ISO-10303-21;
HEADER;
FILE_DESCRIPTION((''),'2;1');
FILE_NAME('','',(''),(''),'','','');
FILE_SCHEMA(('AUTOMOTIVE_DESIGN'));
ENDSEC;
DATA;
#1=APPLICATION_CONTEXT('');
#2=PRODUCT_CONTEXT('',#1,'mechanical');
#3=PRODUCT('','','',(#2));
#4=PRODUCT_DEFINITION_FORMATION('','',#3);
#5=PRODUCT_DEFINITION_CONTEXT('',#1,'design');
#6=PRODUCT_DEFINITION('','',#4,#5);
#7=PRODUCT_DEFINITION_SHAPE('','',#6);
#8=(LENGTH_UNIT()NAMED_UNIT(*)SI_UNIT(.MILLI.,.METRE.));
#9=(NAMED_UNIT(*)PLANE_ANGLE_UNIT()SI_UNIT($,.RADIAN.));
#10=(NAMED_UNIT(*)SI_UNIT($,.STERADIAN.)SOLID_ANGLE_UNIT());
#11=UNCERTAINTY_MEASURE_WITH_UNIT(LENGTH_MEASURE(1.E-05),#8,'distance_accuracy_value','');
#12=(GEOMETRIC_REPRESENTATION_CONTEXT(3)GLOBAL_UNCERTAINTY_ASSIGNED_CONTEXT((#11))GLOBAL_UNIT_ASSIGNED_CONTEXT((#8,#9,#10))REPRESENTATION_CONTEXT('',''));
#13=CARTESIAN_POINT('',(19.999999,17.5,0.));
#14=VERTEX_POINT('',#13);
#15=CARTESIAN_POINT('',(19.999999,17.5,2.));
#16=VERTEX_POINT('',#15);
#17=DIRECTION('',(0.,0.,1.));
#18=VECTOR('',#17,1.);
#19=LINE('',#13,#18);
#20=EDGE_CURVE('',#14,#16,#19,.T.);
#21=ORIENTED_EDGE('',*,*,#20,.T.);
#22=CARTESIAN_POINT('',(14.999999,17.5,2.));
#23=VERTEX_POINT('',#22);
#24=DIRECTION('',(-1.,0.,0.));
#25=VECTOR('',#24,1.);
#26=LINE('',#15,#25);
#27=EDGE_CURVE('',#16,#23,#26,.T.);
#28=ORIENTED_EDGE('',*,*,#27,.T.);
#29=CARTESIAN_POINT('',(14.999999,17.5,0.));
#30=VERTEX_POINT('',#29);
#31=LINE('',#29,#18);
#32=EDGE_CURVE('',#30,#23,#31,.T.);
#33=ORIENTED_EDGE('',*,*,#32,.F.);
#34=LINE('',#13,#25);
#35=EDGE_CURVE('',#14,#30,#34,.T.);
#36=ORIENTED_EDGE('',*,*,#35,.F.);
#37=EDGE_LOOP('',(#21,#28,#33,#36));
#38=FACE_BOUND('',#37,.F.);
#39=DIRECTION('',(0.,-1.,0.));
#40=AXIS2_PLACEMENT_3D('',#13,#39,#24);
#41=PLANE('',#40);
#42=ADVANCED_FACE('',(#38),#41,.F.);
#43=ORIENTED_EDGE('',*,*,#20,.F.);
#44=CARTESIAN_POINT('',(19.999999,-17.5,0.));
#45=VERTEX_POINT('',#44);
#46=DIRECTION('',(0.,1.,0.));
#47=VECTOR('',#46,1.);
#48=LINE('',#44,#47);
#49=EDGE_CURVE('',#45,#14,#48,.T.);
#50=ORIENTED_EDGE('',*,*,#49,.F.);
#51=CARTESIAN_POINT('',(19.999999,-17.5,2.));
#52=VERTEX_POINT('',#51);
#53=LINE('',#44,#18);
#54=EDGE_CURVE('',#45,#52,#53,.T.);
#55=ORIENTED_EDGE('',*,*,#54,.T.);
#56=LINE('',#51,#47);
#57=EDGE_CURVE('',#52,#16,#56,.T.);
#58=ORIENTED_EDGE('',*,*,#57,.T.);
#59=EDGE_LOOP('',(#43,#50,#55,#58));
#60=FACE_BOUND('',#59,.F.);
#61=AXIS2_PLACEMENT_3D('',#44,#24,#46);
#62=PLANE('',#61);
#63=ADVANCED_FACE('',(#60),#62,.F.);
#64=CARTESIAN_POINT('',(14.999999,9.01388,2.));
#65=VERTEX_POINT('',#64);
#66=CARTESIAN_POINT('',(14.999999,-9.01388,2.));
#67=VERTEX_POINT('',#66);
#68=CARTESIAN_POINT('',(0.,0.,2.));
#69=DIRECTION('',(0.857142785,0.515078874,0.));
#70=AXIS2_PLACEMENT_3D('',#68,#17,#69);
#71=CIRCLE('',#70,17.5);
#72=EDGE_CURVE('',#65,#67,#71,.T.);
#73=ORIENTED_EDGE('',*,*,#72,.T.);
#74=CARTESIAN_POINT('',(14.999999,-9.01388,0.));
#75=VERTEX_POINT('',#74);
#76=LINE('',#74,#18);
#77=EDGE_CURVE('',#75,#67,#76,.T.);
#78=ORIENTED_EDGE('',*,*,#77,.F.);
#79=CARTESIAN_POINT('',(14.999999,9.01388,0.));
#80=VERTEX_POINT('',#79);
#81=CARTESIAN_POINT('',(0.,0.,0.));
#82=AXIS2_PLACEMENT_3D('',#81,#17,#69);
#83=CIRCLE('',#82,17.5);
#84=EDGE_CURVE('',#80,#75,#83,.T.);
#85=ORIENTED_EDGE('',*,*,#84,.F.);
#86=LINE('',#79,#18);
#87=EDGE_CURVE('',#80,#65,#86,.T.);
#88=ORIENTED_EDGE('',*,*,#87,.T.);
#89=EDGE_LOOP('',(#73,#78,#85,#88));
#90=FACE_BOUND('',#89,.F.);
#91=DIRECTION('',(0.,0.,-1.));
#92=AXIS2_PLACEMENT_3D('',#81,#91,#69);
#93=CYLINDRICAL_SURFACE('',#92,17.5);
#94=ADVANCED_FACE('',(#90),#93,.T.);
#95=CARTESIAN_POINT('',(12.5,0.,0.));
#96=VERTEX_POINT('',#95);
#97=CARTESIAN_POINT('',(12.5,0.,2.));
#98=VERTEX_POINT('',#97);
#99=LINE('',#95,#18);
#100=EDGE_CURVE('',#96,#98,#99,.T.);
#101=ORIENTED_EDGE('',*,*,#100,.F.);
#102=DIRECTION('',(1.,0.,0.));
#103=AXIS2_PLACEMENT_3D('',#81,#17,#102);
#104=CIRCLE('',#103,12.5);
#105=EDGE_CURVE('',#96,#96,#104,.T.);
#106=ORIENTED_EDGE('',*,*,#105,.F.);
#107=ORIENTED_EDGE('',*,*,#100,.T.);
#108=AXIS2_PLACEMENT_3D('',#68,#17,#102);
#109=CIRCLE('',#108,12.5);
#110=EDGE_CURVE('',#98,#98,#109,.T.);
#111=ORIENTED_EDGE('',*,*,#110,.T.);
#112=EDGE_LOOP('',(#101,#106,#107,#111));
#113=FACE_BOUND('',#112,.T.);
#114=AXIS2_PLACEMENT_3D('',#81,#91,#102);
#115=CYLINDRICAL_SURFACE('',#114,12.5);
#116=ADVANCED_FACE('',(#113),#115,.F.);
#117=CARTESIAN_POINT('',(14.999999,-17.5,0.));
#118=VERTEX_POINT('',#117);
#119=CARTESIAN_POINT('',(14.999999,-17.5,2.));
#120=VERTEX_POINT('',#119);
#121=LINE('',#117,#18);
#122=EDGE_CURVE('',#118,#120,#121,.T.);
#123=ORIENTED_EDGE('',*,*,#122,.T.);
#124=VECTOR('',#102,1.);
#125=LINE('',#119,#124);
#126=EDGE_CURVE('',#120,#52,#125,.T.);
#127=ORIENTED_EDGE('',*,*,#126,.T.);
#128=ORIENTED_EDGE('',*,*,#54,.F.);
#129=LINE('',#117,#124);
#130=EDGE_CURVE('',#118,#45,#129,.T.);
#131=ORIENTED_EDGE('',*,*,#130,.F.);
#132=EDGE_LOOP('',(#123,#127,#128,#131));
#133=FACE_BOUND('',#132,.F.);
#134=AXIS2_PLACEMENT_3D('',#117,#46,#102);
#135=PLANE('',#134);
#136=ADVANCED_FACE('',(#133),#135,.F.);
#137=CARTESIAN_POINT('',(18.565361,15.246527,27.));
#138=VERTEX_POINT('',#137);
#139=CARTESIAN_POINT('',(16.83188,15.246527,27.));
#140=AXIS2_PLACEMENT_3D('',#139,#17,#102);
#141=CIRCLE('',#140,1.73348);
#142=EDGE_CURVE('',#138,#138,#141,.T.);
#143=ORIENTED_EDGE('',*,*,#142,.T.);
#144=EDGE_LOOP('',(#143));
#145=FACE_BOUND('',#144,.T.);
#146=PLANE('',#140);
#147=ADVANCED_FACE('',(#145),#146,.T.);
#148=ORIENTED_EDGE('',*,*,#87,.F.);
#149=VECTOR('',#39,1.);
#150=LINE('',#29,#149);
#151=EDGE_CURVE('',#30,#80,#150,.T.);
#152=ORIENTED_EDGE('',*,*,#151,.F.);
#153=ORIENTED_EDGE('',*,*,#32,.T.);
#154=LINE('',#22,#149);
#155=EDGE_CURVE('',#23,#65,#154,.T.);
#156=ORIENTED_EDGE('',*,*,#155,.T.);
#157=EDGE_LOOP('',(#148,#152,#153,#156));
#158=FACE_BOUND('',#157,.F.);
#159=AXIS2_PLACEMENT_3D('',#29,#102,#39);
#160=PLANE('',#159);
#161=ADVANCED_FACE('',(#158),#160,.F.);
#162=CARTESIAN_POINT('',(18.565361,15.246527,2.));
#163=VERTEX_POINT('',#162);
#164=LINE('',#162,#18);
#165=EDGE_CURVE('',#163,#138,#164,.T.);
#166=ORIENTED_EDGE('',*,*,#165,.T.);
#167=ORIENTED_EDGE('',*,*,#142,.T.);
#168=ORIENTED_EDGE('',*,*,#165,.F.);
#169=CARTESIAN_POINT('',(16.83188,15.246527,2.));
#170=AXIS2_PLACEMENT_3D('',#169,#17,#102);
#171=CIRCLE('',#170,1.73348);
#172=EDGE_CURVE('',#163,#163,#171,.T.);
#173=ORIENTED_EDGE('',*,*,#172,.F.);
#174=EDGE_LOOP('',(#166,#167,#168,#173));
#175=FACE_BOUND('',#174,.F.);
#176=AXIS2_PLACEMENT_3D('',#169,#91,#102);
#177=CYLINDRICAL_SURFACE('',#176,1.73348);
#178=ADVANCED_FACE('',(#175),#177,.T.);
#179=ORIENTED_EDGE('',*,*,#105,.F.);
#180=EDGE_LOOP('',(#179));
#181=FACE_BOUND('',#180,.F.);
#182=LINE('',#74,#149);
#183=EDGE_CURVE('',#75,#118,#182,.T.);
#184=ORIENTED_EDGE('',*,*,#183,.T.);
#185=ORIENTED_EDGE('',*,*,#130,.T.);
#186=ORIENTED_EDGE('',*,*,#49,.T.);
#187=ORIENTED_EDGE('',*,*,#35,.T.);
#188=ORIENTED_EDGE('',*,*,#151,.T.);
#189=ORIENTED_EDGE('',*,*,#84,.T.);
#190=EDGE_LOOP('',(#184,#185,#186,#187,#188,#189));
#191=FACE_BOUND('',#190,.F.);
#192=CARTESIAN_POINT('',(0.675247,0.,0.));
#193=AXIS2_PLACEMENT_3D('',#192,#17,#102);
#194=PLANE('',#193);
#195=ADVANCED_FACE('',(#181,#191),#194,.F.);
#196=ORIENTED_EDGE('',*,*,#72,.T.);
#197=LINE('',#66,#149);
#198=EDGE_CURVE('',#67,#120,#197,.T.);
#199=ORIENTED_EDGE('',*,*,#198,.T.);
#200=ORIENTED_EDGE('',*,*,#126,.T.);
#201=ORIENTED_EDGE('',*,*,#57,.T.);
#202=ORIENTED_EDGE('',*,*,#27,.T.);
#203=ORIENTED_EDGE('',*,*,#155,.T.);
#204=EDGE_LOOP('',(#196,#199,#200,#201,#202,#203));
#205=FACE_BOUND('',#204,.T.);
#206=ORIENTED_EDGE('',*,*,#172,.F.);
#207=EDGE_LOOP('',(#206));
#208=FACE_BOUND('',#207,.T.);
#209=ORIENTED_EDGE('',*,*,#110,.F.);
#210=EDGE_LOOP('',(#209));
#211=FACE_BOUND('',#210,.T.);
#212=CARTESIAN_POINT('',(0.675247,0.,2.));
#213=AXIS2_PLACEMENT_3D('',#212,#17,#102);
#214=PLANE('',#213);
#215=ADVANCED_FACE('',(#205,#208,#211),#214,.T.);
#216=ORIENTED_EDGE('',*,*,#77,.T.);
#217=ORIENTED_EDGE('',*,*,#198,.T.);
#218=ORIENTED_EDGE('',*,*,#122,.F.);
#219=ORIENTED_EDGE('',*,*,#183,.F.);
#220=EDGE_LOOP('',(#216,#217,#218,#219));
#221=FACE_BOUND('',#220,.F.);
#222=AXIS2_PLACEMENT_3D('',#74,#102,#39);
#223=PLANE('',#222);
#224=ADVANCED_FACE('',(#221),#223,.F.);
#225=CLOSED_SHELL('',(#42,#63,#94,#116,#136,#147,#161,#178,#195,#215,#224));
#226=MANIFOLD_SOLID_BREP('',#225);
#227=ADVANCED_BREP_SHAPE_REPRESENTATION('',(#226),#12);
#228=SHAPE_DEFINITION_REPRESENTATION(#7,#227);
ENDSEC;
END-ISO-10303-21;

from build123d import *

# Parameters (mm, degrees)
F0_R     = 12.5
F1_DEPTH = 2
F2_R     = 1.7334803781
F3_DEPTH = 25


with BuildPart() as f1:
    # F0 (on Top) → F1 (new body)
    with BuildSketch(Plane.XY):
        with BuildLine():
            Line((14.9999987334, -9.0138802964), (14.9999987334, 9.0138802964))
            ThreePointArc((14.9999987334, 9.0138802964), (-17.5, 0), (14.9999987334, -9.0138802964))
        make_face()
        Circle(F0_R, mode=Mode.SUBTRACT)
        with BuildLine():
            ThreePointArc((14.9999987334, -9.0138802964), (16.8634216254, -4.6770729183), (17.5, 0))
            ThreePointArc((17.5, 0), (16.8634216254, 4.6770729183), (14.9999987334, 9.0138802964))
            Line((14.9999987334, 9.0138802964), (14.9999987334, -9.0138802964))
        make_face()
        with BuildLine():
            ThreePointArc((14.9999987334, 9.0138802964), (16.8634216254, 4.6770729183), (17.5, 0))
            ThreePointArc((17.5, 0), (16.8634216254, -4.6770729183), (14.9999987334, -9.0138802964))
            Line((14.9999987334, -9.0138802964), (14.9999987334, -17.5000000745))
            Line((14.9999987334, -17.5000000745), (19.9999987334, -17.5000000745))
            Line((19.9999987334, -17.5000000745), (19.9999987334, 17.4999999255))
            Line((19.9999987334, 17.4999999255), (14.9999987334, 17.4999999255))
            Line((14.9999987334, 17.4999999255), (14.9999987334, 9.0138802964))
        make_face()
    extrude(amount=F1_DEPTH)

    # F2 (on face) → F3 (join)
    with BuildSketch(Plane.XY.offset(2)):
        with Locations((16.8318804353, 15.2465272695)):
            Circle(F2_R)
    extrude(amount=F3_DEPTH)


solid = f1.part
